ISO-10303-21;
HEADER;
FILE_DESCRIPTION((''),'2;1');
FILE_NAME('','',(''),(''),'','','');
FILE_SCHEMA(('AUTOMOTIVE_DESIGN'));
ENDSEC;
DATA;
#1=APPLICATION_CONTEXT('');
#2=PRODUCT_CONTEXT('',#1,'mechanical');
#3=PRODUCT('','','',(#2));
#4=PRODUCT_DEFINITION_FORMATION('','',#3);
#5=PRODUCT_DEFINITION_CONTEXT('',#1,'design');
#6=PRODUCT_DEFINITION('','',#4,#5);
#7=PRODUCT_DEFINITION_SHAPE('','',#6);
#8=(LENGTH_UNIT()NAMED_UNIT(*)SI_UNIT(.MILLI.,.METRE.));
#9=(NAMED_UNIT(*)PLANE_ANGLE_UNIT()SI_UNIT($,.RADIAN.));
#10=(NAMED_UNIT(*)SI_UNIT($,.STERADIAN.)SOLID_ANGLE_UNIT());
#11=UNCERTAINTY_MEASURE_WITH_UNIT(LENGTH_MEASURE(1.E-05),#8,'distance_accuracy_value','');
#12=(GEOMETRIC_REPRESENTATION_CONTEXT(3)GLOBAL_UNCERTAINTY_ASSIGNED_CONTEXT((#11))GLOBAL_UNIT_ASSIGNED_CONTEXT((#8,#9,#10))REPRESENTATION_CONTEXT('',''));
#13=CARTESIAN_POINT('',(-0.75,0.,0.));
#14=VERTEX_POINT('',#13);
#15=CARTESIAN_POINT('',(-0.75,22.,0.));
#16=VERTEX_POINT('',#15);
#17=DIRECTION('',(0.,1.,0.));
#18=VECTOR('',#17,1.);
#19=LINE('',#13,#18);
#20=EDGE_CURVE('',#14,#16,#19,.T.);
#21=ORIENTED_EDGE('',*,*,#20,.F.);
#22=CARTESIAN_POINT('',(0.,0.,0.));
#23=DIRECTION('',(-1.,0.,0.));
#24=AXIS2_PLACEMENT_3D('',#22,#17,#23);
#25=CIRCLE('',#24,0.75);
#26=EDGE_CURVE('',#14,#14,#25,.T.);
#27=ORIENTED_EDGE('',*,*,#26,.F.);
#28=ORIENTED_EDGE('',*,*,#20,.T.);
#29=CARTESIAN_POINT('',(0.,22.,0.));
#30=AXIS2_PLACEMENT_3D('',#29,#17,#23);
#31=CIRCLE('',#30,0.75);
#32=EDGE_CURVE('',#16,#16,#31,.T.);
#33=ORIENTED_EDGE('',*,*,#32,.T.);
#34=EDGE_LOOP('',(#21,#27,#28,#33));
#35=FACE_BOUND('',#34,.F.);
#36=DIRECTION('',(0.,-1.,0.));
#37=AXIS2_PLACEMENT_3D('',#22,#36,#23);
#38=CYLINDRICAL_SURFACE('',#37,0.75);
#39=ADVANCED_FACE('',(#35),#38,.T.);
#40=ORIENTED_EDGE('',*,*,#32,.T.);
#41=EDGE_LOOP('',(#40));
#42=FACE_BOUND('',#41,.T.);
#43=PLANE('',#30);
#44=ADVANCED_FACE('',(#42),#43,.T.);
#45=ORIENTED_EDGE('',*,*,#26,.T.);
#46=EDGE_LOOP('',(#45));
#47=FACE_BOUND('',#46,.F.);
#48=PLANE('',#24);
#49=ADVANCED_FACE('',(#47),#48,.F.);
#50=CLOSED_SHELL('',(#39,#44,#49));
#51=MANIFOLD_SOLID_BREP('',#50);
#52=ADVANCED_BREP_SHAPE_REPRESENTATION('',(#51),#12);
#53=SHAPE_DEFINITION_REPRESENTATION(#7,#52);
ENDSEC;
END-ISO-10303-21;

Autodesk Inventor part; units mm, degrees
ref_plane "YZ Plane" through (0, 0, 0) normal (1, 0, 0) x (0, 1, 0)
ref_plane "XZ Plane" through (0, 0, 0) normal (0, 1, 0) x (-1, 0, 0)
ref_plane "XY Plane" through (0, 0, 0) normal (0, 0, 1) x (1, 0, 0)
sketch "Szkic1" plane through (0, 0, 0) normal (0, 1, 0) x (-1, 0, 0)
  circle A0 centre (0, 0) radius 0.75
  dimension "d0" = 1.5
extrude "Wyciągnięcie proste1" add sketch "Szkic1" along normal blind 22
properties part number "pret22mm" material "Miedź"
